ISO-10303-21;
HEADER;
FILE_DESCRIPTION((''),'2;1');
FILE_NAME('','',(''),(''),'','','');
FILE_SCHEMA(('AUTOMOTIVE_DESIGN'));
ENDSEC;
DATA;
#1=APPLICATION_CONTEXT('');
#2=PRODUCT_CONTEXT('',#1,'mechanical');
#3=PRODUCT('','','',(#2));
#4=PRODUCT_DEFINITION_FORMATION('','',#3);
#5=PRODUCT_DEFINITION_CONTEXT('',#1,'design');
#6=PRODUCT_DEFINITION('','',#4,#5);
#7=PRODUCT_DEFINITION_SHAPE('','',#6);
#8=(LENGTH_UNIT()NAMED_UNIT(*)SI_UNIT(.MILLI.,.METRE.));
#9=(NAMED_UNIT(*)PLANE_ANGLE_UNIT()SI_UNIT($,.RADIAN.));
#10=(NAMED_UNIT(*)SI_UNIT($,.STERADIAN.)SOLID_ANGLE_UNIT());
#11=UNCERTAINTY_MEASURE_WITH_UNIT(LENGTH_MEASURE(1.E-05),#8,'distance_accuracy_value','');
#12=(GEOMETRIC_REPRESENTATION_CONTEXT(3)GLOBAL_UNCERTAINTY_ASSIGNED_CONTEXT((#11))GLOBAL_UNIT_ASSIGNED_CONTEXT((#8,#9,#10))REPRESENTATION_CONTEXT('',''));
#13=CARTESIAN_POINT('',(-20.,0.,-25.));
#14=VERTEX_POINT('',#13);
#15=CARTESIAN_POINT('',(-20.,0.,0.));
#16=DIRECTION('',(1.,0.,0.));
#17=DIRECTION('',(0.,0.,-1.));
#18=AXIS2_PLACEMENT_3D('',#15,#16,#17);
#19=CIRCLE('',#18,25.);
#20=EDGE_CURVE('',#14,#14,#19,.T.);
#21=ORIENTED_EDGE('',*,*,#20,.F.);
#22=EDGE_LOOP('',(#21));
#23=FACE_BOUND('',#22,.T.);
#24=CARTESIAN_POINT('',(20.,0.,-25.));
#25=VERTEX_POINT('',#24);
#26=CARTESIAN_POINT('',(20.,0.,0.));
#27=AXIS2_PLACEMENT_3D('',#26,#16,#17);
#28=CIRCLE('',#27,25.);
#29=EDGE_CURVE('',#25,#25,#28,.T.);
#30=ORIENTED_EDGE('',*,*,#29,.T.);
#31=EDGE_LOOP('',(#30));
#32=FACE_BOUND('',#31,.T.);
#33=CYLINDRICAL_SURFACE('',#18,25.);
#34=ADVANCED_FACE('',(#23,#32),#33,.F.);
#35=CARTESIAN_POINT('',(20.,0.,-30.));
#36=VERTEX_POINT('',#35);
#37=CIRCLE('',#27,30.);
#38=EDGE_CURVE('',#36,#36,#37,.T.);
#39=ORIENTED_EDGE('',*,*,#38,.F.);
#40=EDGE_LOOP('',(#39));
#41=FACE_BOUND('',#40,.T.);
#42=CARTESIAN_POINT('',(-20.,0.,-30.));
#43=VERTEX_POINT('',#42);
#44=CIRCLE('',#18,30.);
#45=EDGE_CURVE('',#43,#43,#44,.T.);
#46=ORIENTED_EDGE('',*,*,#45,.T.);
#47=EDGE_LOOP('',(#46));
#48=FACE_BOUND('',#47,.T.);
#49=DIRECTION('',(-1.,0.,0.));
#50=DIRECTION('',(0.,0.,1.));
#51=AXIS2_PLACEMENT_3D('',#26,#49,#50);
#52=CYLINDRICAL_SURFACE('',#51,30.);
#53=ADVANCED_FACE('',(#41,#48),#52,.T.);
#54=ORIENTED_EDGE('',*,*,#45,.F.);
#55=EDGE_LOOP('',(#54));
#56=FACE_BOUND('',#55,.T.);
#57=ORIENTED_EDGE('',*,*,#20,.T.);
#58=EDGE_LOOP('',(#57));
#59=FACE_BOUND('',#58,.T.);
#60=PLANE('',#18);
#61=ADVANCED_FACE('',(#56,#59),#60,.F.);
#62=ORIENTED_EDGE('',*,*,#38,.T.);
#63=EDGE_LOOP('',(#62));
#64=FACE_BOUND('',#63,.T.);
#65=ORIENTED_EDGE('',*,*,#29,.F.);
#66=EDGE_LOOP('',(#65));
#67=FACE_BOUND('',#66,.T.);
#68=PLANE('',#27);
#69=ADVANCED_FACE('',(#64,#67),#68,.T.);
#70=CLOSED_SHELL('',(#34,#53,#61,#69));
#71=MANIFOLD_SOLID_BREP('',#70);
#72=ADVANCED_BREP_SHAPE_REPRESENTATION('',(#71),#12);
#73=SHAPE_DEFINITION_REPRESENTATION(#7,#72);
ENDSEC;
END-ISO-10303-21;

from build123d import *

# Parameters (mm, degrees)
SKETCH_4_R          = 30
EXTRUDE_2_DEPTH     = 20
SKETCH_5_R          = 25
CUT_EXTRUDE_2_DEPTH = 41


with BuildPart() as part:
    # Эскиз4 → Бобышка-Вытянуть2 (new body, symmetric)
    with BuildSketch(Plane(origin=(0, 0, 0), x_dir=(0, 0, -1), z_dir=(1, 0, 0))):
        Circle(SKETCH_4_R)
    extrude(amount=EXTRUDE_2_DEPTH, both=True)

    # Эскиз5 → Вырез-Вытянуть2 (cut, through all)
    with BuildSketch(Plane(origin=(20, 0, 0), x_dir=(0, 0, -1), z_dir=(1, 0, 0))):
        Circle(SKETCH_5_R)
    extrude(amount=-CUT_EXTRUDE_2_DEPTH, mode=Mode.SUBTRACT)


solid = part.part
